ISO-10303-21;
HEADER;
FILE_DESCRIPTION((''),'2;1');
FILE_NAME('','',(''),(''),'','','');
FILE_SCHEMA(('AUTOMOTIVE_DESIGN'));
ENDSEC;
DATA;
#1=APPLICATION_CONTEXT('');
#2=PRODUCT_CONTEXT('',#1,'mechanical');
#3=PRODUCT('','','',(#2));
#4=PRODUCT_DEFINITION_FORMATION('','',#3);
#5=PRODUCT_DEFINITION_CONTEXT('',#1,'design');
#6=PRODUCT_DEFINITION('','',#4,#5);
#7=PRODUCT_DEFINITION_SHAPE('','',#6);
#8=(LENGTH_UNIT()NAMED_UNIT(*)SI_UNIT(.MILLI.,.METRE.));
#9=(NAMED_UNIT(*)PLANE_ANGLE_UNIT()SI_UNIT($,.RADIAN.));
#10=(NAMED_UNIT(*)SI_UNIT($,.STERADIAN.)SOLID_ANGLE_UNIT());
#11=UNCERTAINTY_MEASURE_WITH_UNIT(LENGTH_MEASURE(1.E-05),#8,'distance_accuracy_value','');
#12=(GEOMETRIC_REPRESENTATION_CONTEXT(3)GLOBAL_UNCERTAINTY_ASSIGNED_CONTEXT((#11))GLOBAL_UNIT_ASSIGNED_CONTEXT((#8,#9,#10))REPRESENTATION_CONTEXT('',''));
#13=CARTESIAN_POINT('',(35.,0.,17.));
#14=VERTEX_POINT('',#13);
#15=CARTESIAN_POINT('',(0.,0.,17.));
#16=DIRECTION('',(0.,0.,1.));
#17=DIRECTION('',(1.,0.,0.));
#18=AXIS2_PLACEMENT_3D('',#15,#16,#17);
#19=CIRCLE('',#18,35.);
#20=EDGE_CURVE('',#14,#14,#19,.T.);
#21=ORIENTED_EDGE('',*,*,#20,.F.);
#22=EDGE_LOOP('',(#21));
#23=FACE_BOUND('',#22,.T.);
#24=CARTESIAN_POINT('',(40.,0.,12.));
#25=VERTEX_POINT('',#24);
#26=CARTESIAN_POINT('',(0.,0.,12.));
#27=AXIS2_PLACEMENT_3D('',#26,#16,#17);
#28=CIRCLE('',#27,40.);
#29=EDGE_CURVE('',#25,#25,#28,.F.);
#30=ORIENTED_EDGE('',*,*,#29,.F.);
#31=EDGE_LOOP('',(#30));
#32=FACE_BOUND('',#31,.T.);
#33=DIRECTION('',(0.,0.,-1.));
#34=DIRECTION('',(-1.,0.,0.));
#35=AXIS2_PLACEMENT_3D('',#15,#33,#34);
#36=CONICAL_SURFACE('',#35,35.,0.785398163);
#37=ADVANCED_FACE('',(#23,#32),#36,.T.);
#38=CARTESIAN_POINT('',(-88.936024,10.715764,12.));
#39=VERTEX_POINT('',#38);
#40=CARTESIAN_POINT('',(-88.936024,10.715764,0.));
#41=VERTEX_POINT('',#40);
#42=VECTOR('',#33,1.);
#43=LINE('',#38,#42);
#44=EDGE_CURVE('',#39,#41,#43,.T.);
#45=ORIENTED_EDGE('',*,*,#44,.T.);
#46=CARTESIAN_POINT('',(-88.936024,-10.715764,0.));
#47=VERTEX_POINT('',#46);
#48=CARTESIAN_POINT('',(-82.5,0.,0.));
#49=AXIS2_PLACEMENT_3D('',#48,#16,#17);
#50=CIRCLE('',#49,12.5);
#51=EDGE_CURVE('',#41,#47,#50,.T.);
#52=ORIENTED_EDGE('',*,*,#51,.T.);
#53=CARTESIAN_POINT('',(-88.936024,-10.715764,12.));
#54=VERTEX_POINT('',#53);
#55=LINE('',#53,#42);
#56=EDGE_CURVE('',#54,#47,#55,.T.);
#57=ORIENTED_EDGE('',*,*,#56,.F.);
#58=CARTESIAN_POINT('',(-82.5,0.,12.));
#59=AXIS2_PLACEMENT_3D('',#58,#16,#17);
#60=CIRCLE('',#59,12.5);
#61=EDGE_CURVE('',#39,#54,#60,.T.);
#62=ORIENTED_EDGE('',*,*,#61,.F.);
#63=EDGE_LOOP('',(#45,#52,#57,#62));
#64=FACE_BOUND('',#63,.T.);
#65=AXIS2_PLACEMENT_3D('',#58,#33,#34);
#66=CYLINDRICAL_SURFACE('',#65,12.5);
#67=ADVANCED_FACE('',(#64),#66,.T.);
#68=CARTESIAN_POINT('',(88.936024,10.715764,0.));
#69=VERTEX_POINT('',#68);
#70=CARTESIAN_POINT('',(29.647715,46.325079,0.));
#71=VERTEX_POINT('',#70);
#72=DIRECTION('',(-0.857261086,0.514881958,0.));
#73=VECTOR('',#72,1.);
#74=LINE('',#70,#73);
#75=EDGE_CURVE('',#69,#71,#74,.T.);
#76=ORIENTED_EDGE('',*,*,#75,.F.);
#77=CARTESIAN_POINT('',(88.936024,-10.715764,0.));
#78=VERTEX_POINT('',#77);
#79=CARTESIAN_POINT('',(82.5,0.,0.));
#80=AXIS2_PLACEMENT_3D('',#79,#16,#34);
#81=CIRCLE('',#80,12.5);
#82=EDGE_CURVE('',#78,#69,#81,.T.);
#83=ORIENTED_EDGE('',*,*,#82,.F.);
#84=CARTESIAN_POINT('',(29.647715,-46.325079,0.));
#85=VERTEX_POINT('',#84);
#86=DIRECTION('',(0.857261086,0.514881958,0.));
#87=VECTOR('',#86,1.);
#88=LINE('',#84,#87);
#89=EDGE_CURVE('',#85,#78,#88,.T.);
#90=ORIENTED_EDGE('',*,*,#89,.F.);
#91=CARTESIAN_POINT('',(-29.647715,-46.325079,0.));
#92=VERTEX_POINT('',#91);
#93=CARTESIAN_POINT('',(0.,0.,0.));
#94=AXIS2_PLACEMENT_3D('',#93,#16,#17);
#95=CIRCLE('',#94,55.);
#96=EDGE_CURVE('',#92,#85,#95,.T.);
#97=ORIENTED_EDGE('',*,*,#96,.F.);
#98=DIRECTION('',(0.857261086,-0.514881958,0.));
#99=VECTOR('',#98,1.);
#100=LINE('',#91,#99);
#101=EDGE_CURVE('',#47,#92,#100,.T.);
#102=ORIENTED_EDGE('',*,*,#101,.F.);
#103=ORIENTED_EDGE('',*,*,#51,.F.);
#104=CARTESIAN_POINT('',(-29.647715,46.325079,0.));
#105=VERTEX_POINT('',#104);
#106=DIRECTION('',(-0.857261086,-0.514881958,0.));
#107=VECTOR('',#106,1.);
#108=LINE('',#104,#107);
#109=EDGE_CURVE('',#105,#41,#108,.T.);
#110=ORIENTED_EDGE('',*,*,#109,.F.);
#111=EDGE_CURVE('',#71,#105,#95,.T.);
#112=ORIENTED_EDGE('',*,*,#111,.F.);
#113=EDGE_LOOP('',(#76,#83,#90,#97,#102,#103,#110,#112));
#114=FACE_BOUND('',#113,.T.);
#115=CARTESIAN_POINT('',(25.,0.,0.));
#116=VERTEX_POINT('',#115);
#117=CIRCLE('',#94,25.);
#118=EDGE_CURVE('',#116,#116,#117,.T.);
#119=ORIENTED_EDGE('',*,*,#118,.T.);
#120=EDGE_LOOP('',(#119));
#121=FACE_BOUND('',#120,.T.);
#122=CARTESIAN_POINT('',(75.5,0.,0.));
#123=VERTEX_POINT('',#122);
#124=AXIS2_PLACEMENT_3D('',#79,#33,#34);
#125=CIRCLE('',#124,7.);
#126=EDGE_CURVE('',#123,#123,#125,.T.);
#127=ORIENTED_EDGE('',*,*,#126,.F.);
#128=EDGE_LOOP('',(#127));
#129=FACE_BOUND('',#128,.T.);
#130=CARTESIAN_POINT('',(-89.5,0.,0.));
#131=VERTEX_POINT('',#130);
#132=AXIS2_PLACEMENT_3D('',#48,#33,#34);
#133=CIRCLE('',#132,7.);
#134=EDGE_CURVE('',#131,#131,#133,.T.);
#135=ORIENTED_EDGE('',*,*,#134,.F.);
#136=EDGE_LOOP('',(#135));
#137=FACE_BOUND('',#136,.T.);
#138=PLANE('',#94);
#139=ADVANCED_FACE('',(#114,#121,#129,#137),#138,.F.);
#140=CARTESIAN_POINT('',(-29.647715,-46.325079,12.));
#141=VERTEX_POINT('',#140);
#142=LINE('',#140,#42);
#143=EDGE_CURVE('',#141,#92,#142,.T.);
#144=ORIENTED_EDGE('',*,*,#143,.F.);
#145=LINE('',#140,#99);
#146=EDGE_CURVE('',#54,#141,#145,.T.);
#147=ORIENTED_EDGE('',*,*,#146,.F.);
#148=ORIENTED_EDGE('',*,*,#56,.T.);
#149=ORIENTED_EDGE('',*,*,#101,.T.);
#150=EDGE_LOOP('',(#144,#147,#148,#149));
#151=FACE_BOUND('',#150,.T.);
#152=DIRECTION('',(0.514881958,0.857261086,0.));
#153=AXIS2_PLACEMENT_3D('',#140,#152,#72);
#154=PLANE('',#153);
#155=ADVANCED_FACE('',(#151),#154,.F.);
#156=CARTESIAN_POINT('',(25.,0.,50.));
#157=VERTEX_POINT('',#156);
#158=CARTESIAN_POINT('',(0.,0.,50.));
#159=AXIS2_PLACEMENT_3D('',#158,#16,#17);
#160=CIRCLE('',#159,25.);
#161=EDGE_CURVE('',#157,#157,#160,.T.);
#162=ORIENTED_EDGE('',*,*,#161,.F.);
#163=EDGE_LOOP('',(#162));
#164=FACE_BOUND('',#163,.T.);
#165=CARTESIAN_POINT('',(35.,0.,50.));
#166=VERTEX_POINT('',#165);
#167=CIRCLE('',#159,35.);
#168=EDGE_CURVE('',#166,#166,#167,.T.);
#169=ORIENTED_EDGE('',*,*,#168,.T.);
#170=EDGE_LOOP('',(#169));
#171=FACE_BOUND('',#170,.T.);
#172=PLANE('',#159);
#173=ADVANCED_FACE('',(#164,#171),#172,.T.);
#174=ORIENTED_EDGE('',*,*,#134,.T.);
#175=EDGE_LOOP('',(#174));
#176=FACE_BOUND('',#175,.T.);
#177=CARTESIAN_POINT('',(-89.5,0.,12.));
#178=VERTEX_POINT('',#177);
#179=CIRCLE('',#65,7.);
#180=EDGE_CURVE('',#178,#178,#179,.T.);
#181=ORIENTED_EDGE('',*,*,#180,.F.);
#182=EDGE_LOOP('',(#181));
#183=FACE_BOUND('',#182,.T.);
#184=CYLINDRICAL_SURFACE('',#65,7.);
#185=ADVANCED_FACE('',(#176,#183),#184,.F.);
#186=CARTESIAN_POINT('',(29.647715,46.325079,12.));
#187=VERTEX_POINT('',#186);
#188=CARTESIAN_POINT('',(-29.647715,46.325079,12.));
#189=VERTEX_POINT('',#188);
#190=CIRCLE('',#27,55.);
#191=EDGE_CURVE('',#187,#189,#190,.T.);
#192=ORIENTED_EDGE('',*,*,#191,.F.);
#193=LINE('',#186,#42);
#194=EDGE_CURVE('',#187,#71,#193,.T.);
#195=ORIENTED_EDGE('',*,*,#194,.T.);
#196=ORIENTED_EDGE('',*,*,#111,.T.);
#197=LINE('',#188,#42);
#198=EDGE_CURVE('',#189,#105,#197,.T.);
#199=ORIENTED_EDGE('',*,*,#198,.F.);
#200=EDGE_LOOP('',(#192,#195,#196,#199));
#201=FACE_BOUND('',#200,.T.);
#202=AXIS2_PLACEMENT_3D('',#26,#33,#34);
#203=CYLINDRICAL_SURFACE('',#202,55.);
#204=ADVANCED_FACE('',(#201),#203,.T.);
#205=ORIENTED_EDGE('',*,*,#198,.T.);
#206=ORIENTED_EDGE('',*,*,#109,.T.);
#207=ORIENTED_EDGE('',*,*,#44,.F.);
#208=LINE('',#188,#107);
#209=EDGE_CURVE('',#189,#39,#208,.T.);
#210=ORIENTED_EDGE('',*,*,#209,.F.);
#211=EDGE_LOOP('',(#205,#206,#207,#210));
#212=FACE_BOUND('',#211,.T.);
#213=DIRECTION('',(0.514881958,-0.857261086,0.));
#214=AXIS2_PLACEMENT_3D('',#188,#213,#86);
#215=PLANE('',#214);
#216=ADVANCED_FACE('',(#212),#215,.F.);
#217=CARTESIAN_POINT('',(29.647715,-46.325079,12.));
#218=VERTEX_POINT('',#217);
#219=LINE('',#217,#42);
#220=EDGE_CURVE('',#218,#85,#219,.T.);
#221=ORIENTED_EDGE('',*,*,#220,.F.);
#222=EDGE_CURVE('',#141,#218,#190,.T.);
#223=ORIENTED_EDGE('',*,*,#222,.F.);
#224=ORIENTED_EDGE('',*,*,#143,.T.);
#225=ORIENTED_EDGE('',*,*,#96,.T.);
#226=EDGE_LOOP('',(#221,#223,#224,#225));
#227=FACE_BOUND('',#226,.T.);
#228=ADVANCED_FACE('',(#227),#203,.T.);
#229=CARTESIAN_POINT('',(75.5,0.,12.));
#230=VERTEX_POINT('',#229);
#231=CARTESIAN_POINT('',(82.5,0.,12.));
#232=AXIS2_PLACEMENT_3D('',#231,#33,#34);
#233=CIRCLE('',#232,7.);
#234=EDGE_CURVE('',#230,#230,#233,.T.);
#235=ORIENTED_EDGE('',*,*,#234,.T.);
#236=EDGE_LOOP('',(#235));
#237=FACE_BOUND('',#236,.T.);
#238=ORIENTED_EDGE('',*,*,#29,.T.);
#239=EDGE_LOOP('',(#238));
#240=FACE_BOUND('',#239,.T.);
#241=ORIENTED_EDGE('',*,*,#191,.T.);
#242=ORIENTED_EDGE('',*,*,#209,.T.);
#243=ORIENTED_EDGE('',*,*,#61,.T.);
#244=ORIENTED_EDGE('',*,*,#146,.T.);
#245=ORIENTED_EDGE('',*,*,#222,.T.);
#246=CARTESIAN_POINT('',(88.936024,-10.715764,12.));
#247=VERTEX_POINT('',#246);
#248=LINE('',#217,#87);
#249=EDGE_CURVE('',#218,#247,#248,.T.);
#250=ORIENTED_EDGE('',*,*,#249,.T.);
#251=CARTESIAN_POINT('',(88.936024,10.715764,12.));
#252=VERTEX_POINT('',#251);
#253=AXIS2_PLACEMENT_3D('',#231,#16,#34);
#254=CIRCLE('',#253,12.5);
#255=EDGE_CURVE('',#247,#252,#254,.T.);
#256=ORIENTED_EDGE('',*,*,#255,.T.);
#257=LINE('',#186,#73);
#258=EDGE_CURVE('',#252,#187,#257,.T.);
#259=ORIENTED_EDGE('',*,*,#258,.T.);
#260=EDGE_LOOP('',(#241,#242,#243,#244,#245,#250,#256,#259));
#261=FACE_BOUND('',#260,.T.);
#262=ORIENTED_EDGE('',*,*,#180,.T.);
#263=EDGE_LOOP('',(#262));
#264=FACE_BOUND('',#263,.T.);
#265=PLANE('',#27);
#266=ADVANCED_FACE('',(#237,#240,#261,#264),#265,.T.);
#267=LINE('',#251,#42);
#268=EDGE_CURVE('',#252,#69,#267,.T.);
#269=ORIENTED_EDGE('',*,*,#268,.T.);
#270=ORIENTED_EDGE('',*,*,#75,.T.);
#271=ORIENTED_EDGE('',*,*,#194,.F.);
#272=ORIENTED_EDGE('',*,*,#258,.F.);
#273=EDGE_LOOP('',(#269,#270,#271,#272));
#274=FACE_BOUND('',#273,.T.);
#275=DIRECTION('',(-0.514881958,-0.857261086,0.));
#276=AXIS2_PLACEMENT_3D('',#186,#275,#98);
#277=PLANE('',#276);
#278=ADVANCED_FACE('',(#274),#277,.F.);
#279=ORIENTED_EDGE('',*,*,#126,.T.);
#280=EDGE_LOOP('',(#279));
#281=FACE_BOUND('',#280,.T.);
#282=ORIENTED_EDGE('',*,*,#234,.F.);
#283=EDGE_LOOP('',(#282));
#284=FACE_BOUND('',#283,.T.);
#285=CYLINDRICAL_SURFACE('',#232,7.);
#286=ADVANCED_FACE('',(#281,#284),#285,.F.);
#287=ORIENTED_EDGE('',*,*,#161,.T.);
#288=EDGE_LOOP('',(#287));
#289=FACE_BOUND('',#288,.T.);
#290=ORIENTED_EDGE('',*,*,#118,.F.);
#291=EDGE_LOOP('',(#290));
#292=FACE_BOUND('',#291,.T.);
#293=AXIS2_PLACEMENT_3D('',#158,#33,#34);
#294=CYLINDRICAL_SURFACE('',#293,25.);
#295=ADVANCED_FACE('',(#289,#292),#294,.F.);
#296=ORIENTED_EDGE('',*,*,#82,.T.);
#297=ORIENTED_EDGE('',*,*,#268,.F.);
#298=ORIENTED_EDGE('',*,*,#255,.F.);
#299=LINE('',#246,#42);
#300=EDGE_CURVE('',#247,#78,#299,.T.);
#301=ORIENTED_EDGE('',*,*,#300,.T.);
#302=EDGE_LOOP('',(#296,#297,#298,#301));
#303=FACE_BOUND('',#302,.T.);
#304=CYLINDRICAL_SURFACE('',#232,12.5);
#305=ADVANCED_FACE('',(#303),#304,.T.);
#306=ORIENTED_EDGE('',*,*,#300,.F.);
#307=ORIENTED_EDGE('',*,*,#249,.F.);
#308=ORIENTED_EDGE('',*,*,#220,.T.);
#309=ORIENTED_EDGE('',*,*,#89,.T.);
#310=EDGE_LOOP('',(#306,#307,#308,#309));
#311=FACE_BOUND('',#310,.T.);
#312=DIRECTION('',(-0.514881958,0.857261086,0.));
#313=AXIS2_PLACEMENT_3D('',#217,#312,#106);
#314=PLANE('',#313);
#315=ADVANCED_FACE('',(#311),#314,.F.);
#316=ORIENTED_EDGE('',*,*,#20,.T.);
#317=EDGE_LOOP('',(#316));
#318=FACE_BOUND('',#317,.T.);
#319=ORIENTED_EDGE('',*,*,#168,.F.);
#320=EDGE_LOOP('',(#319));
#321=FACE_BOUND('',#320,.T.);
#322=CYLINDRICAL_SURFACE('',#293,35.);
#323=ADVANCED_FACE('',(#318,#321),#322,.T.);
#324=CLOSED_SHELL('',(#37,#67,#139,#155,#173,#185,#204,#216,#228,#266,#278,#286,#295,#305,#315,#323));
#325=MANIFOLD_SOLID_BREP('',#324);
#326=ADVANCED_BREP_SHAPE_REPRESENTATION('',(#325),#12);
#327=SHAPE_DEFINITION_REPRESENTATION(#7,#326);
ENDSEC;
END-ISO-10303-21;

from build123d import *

# Parameters (mm, degrees)
SKETCH1_R           = 35
SKETCH1_R_2         = 25
BOSS_EXTRUDE1_DEPTH = 50
SKETCH2_R           = 35
BOSS_EXTRUDE2_DEPTH = 12
SKETCH3_R           = 7
CUT_EXTRUDE1_DEPTH  = 12
CHAMFER1_SIZE       = 5


with BuildPart() as part:
    # Sketch1 → Boss-Extrude1 (new body)
    with BuildSketch(Plane.XY):
        Circle(SKETCH1_R)
        Circle(SKETCH1_R_2, mode=Mode.SUBTRACT)
    extrude(amount=BOSS_EXTRUDE1_DEPTH)

    # Sketch2 → Boss-Extrude2 (add)
    with BuildSketch(Plane.XY):
        with BuildLine():
            Line((-29.647715243, -46.325079394), (-88.936024476, -10.715763573))
            ThreePointArc((-88.936024476, -10.715763573), (-95, 0), (-88.936024476, 10.715763573))
            Line((-88.936024476, 10.715763573), (-29.647715243, 46.325079394))
            ThreePointArc((-29.647715243, 46.325079394), (0, 55), (29.647715243, 46.325079394))
            Line((29.647715243, 46.325079394), (88.936024476, 10.715763573))
            ThreePointArc((88.936024476, 10.715763573), (95, 0), (88.936024476, -10.715763573))
            Line((88.936024476, -10.715763573), (29.647715243, -46.325079394))
            ThreePointArc((29.647715243, -46.325079394), (0, -55), (-29.647715243, -46.325079394))
        make_face()
        Circle(SKETCH2_R, mode=Mode.SUBTRACT)
    extrude(amount=BOSS_EXTRUDE2_DEPTH)

    # Sketch3 → Cut-Extrude1 (cut)
    with BuildSketch(Plane(origin=(0, 0, 0), x_dir=(-1, 0, 0), z_dir=(0, 0, -1))):
        with Locations((-82.5, 0)):
            Circle(SKETCH3_R)
        with Locations((82.5, 0)):
            Circle(SKETCH3_R)
    extrude(amount=-CUT_EXTRUDE1_DEPTH, mode=Mode.SUBTRACT)

    # Chamfer1
    chamfer1_edges = [part.edges().sort_by_distance(p)[0] for p in [
        (-35, 0, 12),
    ]]
    chamfer(chamfer1_edges, length=CHAMFER1_SIZE)


solid = part.part
